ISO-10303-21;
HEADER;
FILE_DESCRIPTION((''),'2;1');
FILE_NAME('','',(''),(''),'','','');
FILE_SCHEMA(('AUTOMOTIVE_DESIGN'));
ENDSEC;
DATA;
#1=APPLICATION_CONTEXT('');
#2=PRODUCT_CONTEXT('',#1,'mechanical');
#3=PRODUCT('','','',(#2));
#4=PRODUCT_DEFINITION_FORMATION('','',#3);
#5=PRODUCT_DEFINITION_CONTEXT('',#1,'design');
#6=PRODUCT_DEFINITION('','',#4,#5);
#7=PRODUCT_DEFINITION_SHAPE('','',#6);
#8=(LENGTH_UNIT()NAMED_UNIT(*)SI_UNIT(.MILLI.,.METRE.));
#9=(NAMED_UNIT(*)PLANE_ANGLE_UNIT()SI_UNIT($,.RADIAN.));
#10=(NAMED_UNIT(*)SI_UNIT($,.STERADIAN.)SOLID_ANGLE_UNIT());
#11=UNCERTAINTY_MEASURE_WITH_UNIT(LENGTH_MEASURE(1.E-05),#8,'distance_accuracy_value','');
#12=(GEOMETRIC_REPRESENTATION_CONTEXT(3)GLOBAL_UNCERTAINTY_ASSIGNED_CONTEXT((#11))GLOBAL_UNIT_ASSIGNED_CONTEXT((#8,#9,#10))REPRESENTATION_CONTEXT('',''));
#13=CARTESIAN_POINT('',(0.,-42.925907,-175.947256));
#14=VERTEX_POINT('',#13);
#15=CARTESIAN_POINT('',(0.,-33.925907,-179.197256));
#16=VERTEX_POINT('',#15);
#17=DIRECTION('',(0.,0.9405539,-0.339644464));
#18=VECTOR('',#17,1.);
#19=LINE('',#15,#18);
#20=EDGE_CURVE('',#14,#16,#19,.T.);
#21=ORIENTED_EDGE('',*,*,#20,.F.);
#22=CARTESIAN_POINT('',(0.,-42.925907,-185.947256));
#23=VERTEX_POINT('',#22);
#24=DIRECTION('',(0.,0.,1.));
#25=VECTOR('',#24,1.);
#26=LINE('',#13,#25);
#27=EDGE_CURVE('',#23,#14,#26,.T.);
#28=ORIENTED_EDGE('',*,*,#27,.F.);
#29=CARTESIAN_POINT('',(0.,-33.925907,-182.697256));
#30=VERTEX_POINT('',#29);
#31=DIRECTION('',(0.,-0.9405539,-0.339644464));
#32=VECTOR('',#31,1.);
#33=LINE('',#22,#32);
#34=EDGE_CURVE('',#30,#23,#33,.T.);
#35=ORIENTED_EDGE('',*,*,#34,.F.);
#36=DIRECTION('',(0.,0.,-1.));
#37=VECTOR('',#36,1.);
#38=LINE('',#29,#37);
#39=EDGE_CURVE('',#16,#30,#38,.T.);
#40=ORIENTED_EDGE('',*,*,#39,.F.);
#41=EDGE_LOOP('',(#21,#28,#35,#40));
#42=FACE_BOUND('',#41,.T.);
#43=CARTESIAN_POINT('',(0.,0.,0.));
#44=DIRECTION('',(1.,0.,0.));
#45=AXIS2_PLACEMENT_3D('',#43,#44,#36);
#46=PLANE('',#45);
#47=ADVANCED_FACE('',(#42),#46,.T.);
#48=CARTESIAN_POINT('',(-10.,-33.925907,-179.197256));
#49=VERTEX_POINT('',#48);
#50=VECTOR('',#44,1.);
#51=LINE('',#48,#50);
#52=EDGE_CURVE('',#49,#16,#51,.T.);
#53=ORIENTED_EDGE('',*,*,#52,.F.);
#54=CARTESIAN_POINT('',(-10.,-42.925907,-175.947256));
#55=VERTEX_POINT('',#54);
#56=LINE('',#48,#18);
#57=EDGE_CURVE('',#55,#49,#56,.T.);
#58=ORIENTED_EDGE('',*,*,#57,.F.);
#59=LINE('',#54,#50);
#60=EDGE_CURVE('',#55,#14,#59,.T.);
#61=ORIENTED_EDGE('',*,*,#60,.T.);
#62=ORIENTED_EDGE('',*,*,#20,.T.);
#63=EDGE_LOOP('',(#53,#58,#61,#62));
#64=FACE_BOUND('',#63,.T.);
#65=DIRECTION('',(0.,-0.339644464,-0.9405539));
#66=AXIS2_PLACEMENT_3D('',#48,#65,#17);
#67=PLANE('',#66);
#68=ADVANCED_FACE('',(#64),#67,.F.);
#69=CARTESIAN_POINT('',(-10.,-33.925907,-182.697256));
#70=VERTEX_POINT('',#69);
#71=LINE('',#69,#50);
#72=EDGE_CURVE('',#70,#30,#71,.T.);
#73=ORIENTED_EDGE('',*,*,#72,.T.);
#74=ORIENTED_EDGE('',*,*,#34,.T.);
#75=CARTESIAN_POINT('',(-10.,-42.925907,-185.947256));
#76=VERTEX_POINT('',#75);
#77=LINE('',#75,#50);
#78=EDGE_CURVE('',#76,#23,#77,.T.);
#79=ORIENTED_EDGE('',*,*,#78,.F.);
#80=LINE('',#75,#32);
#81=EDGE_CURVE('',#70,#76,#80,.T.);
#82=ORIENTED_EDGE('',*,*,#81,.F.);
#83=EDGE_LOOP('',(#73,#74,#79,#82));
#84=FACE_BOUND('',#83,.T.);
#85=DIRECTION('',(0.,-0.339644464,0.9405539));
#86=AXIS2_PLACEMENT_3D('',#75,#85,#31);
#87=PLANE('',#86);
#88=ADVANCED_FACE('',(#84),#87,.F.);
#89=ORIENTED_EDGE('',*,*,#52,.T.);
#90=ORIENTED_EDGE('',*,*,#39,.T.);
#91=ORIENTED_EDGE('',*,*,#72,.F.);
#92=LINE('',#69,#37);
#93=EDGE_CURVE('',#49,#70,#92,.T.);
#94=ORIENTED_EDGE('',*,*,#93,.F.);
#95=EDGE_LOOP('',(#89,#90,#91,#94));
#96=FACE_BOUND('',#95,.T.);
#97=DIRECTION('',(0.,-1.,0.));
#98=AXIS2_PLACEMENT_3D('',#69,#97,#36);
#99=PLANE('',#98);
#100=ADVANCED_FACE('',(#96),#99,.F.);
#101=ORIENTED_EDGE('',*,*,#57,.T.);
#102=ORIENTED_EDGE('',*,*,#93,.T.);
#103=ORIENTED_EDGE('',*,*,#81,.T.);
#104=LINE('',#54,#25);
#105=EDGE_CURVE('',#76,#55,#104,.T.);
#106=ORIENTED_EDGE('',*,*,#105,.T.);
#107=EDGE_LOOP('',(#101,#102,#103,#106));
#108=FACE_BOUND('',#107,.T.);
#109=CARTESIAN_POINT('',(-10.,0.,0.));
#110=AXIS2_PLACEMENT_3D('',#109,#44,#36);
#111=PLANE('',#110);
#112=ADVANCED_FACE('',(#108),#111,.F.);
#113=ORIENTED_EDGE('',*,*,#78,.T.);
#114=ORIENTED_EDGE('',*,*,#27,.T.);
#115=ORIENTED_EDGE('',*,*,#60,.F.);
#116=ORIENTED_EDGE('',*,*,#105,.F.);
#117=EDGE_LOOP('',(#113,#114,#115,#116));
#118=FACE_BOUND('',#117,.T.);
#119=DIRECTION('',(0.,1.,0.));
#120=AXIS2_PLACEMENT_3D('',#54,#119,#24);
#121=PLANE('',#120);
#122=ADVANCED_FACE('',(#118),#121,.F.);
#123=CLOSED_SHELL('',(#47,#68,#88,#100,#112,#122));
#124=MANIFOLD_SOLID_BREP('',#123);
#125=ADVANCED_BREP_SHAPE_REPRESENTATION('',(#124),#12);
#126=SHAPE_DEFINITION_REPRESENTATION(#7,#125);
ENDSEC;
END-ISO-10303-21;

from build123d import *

# Parameters (mm, degrees)
ESTRUSIONE_ESTRUSIONE1_DEPTH = 10


with BuildPart() as part:
    # Schizzo1 → Estrusione-Estrusione1 (new body)
    with BuildSketch(Plane(origin=(0, -56.336339876, -180.947255955), x_dir=(0, 0, 1), z_dir=(-1, 0, 0))):
        Polygon((5, 13.410432688), (-5, 13.410432688), (-1.75, 22.410432688), (1.75, 22.410432688), align=None)
    extrude(amount=ESTRUSIONE_ESTRUSIONE1_DEPTH)


solid = part.part
